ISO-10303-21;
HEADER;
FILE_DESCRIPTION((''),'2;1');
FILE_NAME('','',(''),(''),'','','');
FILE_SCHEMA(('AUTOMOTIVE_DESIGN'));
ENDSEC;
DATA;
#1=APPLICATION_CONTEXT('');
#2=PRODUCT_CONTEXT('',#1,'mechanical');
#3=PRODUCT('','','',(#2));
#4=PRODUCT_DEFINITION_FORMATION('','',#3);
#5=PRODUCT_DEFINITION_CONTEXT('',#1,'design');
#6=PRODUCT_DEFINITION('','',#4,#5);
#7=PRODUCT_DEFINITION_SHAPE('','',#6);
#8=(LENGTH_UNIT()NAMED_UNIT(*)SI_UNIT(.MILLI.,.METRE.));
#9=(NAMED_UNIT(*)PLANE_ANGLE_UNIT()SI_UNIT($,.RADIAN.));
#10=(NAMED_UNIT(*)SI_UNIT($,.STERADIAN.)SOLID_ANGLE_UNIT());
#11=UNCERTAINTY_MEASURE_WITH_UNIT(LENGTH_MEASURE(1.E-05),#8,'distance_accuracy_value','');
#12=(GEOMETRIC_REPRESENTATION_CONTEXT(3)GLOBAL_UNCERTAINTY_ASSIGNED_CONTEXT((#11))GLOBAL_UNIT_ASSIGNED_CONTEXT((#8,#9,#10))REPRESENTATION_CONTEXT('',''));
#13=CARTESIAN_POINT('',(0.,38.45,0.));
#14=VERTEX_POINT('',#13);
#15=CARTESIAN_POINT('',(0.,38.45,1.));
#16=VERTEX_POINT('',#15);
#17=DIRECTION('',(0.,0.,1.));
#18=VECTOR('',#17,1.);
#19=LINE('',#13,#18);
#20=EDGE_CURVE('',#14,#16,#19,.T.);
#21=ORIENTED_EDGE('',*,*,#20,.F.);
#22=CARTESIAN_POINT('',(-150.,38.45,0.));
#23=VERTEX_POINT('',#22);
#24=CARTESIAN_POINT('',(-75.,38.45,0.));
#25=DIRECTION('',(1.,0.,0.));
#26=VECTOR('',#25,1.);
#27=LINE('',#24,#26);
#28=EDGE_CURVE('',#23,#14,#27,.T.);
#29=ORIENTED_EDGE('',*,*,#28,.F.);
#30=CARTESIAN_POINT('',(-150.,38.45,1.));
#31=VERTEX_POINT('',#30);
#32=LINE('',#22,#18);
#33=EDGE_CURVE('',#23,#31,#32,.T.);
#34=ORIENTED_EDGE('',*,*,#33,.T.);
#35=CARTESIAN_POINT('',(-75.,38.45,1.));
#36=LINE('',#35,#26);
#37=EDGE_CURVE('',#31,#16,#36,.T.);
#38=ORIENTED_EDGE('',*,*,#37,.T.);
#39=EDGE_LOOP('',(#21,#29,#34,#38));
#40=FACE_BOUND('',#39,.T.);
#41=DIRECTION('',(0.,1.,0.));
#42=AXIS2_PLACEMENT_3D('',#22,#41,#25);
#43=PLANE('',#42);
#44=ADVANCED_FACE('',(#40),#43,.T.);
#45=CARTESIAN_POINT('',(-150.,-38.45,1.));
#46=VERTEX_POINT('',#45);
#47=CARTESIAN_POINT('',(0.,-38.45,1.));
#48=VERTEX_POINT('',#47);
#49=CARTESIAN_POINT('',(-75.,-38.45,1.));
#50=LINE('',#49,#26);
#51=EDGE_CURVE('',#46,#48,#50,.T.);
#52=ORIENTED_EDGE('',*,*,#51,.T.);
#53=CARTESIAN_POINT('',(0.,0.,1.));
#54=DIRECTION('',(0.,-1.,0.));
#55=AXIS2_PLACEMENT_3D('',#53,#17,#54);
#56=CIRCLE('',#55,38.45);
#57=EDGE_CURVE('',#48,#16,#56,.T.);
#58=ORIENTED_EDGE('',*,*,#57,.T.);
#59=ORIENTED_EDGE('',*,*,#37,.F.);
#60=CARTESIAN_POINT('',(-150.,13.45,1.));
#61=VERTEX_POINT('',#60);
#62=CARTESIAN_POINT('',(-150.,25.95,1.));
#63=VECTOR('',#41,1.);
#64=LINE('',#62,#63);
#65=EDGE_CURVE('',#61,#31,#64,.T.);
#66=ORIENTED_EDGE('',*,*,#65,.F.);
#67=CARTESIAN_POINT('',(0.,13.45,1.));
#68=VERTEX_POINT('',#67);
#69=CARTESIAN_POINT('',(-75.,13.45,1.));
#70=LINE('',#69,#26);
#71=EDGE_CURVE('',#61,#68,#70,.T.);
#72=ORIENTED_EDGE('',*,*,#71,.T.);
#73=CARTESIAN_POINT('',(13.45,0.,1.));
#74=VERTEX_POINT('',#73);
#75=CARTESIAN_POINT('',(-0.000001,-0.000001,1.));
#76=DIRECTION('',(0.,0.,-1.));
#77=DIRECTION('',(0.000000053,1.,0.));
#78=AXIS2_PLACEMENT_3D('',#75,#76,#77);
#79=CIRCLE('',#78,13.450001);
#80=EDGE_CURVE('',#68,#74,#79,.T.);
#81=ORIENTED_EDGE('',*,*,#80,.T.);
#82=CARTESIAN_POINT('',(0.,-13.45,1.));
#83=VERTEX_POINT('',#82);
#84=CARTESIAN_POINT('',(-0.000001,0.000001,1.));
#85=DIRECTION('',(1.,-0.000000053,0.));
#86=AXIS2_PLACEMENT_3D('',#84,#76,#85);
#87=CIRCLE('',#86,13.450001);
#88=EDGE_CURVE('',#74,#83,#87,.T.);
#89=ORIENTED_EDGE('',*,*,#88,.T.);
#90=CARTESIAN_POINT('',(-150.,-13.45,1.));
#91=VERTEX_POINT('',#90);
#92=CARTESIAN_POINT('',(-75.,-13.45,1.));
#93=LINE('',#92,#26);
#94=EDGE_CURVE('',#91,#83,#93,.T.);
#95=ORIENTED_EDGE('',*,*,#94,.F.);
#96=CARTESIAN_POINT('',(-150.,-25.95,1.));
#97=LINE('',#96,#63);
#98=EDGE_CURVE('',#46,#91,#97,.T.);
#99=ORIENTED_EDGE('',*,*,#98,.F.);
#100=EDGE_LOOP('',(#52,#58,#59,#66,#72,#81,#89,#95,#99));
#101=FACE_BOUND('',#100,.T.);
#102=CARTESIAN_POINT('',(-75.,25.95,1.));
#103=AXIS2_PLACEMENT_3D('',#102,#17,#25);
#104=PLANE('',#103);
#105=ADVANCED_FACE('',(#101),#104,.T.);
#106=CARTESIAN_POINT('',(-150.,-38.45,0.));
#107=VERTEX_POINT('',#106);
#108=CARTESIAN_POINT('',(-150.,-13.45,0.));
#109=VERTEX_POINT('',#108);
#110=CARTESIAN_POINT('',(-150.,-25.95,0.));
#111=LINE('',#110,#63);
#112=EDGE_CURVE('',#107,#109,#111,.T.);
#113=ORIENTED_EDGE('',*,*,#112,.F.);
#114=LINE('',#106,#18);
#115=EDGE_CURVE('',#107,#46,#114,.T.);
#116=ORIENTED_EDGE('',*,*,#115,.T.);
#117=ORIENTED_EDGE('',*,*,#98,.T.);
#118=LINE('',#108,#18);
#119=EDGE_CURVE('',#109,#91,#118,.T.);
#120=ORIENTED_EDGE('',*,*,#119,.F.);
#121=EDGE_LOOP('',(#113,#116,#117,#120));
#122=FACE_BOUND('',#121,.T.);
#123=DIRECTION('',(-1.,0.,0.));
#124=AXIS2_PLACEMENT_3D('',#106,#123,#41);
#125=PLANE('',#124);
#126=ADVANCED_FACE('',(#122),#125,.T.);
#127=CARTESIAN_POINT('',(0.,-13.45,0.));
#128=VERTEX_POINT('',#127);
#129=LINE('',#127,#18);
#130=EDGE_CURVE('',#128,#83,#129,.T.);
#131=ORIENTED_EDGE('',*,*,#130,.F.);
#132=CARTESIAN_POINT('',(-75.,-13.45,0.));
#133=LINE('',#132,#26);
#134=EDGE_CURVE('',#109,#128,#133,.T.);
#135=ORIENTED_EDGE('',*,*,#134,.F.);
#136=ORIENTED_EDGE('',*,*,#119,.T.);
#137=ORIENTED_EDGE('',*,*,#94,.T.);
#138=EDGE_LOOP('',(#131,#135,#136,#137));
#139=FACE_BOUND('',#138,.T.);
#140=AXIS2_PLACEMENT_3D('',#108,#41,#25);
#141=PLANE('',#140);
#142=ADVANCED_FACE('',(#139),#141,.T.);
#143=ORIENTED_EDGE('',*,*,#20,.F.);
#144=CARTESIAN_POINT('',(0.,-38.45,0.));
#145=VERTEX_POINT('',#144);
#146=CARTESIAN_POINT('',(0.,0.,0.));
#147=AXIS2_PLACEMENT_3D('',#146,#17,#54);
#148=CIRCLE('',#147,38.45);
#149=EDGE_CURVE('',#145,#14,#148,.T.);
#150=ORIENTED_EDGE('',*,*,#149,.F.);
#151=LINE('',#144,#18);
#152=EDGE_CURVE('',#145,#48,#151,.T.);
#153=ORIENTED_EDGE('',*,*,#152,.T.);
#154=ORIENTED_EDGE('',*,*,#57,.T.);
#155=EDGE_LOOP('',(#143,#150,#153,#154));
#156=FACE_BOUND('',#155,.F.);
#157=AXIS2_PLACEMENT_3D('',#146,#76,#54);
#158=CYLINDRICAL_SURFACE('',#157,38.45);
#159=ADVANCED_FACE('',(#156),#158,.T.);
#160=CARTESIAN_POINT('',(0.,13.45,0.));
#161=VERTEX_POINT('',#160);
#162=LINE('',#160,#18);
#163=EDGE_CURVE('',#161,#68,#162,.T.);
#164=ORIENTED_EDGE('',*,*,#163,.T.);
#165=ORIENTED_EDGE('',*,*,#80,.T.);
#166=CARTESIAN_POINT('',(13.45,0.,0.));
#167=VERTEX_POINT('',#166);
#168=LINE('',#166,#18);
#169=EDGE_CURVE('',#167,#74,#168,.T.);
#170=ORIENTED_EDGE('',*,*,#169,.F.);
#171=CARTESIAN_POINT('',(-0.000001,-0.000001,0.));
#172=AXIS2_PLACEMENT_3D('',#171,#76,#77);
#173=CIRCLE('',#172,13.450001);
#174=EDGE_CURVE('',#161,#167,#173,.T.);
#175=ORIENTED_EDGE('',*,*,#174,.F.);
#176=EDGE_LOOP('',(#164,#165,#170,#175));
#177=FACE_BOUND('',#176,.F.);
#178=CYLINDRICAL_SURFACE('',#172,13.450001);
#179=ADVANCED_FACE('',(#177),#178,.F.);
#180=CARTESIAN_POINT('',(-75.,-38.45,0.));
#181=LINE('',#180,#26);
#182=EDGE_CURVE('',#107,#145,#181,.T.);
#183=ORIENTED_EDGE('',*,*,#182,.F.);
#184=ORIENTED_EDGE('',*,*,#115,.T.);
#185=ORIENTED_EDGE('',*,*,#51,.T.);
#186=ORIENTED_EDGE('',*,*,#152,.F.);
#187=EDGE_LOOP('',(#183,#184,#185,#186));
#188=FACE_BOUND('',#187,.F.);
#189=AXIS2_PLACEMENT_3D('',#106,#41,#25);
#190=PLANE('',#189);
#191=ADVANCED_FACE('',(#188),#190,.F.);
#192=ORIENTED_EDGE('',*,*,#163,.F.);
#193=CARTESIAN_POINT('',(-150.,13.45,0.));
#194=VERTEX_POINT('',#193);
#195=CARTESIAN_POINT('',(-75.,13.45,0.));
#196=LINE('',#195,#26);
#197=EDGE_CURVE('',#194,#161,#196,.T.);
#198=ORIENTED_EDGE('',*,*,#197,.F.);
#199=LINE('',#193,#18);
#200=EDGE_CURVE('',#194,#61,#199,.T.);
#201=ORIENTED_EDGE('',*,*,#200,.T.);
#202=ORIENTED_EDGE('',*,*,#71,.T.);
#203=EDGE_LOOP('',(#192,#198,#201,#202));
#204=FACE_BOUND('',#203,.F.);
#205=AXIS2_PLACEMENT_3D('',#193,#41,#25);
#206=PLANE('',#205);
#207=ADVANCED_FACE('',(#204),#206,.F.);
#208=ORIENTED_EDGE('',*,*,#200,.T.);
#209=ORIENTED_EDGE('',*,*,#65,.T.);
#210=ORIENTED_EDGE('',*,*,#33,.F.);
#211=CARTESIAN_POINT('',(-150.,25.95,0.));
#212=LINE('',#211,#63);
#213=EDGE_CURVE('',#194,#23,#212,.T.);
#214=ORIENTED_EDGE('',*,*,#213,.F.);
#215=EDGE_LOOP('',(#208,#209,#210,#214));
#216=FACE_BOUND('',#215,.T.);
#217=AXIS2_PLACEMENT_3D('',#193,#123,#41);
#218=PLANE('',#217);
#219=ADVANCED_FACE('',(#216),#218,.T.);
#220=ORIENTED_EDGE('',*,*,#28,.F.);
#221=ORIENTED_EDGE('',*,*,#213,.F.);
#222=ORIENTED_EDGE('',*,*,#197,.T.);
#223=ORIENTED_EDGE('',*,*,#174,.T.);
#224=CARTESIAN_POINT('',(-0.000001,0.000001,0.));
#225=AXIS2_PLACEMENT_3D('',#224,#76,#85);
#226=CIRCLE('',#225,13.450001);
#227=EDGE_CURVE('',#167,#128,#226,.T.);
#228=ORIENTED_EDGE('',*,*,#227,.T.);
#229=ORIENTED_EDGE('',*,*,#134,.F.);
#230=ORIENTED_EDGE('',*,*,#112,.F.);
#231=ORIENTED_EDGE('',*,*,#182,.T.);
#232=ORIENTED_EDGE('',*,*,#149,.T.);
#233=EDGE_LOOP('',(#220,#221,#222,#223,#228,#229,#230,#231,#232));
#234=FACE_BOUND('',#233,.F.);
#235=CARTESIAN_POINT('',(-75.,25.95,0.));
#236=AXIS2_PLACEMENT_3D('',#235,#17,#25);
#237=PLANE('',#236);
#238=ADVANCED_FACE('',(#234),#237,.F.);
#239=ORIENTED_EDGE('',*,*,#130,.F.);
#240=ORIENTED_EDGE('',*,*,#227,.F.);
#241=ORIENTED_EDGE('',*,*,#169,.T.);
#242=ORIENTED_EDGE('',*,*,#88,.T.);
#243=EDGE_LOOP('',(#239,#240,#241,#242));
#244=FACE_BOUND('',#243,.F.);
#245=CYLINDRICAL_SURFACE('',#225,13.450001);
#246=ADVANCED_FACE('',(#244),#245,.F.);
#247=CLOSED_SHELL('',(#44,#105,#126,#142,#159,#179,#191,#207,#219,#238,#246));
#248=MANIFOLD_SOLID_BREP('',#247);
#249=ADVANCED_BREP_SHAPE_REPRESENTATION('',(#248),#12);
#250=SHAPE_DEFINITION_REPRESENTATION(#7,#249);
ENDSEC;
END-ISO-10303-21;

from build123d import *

# Parameters (mm, degrees)
F0_W     = 150
F0_H     = 25
F1_DEPTH = 1


with BuildPart() as f1:
    # F0 (on Top) → F1 (new body)
    with BuildSketch(Plane.XY):
        with Locations((-75, 25.95)):
            Rectangle(F0_W, F0_H)
        with BuildLine():
            ThreePointArc((0, 13.45), (9.510586, 9.510586), (13.45, 0))
            ThreePointArc((13.45, 0), (9.510586, -9.510586), (0, -13.45))
            Line((0, -13.45), (0, -38.45))
            ThreePointArc((0, -38.45), (38.45, 0), (0, 38.45))
            Line((0, 38.45), (0, 13.45))
        make_face()
        with Locations((-75, -25.95)):
            Rectangle(F0_W, F0_H)
    extrude(amount=F1_DEPTH)


solid = f1.part
